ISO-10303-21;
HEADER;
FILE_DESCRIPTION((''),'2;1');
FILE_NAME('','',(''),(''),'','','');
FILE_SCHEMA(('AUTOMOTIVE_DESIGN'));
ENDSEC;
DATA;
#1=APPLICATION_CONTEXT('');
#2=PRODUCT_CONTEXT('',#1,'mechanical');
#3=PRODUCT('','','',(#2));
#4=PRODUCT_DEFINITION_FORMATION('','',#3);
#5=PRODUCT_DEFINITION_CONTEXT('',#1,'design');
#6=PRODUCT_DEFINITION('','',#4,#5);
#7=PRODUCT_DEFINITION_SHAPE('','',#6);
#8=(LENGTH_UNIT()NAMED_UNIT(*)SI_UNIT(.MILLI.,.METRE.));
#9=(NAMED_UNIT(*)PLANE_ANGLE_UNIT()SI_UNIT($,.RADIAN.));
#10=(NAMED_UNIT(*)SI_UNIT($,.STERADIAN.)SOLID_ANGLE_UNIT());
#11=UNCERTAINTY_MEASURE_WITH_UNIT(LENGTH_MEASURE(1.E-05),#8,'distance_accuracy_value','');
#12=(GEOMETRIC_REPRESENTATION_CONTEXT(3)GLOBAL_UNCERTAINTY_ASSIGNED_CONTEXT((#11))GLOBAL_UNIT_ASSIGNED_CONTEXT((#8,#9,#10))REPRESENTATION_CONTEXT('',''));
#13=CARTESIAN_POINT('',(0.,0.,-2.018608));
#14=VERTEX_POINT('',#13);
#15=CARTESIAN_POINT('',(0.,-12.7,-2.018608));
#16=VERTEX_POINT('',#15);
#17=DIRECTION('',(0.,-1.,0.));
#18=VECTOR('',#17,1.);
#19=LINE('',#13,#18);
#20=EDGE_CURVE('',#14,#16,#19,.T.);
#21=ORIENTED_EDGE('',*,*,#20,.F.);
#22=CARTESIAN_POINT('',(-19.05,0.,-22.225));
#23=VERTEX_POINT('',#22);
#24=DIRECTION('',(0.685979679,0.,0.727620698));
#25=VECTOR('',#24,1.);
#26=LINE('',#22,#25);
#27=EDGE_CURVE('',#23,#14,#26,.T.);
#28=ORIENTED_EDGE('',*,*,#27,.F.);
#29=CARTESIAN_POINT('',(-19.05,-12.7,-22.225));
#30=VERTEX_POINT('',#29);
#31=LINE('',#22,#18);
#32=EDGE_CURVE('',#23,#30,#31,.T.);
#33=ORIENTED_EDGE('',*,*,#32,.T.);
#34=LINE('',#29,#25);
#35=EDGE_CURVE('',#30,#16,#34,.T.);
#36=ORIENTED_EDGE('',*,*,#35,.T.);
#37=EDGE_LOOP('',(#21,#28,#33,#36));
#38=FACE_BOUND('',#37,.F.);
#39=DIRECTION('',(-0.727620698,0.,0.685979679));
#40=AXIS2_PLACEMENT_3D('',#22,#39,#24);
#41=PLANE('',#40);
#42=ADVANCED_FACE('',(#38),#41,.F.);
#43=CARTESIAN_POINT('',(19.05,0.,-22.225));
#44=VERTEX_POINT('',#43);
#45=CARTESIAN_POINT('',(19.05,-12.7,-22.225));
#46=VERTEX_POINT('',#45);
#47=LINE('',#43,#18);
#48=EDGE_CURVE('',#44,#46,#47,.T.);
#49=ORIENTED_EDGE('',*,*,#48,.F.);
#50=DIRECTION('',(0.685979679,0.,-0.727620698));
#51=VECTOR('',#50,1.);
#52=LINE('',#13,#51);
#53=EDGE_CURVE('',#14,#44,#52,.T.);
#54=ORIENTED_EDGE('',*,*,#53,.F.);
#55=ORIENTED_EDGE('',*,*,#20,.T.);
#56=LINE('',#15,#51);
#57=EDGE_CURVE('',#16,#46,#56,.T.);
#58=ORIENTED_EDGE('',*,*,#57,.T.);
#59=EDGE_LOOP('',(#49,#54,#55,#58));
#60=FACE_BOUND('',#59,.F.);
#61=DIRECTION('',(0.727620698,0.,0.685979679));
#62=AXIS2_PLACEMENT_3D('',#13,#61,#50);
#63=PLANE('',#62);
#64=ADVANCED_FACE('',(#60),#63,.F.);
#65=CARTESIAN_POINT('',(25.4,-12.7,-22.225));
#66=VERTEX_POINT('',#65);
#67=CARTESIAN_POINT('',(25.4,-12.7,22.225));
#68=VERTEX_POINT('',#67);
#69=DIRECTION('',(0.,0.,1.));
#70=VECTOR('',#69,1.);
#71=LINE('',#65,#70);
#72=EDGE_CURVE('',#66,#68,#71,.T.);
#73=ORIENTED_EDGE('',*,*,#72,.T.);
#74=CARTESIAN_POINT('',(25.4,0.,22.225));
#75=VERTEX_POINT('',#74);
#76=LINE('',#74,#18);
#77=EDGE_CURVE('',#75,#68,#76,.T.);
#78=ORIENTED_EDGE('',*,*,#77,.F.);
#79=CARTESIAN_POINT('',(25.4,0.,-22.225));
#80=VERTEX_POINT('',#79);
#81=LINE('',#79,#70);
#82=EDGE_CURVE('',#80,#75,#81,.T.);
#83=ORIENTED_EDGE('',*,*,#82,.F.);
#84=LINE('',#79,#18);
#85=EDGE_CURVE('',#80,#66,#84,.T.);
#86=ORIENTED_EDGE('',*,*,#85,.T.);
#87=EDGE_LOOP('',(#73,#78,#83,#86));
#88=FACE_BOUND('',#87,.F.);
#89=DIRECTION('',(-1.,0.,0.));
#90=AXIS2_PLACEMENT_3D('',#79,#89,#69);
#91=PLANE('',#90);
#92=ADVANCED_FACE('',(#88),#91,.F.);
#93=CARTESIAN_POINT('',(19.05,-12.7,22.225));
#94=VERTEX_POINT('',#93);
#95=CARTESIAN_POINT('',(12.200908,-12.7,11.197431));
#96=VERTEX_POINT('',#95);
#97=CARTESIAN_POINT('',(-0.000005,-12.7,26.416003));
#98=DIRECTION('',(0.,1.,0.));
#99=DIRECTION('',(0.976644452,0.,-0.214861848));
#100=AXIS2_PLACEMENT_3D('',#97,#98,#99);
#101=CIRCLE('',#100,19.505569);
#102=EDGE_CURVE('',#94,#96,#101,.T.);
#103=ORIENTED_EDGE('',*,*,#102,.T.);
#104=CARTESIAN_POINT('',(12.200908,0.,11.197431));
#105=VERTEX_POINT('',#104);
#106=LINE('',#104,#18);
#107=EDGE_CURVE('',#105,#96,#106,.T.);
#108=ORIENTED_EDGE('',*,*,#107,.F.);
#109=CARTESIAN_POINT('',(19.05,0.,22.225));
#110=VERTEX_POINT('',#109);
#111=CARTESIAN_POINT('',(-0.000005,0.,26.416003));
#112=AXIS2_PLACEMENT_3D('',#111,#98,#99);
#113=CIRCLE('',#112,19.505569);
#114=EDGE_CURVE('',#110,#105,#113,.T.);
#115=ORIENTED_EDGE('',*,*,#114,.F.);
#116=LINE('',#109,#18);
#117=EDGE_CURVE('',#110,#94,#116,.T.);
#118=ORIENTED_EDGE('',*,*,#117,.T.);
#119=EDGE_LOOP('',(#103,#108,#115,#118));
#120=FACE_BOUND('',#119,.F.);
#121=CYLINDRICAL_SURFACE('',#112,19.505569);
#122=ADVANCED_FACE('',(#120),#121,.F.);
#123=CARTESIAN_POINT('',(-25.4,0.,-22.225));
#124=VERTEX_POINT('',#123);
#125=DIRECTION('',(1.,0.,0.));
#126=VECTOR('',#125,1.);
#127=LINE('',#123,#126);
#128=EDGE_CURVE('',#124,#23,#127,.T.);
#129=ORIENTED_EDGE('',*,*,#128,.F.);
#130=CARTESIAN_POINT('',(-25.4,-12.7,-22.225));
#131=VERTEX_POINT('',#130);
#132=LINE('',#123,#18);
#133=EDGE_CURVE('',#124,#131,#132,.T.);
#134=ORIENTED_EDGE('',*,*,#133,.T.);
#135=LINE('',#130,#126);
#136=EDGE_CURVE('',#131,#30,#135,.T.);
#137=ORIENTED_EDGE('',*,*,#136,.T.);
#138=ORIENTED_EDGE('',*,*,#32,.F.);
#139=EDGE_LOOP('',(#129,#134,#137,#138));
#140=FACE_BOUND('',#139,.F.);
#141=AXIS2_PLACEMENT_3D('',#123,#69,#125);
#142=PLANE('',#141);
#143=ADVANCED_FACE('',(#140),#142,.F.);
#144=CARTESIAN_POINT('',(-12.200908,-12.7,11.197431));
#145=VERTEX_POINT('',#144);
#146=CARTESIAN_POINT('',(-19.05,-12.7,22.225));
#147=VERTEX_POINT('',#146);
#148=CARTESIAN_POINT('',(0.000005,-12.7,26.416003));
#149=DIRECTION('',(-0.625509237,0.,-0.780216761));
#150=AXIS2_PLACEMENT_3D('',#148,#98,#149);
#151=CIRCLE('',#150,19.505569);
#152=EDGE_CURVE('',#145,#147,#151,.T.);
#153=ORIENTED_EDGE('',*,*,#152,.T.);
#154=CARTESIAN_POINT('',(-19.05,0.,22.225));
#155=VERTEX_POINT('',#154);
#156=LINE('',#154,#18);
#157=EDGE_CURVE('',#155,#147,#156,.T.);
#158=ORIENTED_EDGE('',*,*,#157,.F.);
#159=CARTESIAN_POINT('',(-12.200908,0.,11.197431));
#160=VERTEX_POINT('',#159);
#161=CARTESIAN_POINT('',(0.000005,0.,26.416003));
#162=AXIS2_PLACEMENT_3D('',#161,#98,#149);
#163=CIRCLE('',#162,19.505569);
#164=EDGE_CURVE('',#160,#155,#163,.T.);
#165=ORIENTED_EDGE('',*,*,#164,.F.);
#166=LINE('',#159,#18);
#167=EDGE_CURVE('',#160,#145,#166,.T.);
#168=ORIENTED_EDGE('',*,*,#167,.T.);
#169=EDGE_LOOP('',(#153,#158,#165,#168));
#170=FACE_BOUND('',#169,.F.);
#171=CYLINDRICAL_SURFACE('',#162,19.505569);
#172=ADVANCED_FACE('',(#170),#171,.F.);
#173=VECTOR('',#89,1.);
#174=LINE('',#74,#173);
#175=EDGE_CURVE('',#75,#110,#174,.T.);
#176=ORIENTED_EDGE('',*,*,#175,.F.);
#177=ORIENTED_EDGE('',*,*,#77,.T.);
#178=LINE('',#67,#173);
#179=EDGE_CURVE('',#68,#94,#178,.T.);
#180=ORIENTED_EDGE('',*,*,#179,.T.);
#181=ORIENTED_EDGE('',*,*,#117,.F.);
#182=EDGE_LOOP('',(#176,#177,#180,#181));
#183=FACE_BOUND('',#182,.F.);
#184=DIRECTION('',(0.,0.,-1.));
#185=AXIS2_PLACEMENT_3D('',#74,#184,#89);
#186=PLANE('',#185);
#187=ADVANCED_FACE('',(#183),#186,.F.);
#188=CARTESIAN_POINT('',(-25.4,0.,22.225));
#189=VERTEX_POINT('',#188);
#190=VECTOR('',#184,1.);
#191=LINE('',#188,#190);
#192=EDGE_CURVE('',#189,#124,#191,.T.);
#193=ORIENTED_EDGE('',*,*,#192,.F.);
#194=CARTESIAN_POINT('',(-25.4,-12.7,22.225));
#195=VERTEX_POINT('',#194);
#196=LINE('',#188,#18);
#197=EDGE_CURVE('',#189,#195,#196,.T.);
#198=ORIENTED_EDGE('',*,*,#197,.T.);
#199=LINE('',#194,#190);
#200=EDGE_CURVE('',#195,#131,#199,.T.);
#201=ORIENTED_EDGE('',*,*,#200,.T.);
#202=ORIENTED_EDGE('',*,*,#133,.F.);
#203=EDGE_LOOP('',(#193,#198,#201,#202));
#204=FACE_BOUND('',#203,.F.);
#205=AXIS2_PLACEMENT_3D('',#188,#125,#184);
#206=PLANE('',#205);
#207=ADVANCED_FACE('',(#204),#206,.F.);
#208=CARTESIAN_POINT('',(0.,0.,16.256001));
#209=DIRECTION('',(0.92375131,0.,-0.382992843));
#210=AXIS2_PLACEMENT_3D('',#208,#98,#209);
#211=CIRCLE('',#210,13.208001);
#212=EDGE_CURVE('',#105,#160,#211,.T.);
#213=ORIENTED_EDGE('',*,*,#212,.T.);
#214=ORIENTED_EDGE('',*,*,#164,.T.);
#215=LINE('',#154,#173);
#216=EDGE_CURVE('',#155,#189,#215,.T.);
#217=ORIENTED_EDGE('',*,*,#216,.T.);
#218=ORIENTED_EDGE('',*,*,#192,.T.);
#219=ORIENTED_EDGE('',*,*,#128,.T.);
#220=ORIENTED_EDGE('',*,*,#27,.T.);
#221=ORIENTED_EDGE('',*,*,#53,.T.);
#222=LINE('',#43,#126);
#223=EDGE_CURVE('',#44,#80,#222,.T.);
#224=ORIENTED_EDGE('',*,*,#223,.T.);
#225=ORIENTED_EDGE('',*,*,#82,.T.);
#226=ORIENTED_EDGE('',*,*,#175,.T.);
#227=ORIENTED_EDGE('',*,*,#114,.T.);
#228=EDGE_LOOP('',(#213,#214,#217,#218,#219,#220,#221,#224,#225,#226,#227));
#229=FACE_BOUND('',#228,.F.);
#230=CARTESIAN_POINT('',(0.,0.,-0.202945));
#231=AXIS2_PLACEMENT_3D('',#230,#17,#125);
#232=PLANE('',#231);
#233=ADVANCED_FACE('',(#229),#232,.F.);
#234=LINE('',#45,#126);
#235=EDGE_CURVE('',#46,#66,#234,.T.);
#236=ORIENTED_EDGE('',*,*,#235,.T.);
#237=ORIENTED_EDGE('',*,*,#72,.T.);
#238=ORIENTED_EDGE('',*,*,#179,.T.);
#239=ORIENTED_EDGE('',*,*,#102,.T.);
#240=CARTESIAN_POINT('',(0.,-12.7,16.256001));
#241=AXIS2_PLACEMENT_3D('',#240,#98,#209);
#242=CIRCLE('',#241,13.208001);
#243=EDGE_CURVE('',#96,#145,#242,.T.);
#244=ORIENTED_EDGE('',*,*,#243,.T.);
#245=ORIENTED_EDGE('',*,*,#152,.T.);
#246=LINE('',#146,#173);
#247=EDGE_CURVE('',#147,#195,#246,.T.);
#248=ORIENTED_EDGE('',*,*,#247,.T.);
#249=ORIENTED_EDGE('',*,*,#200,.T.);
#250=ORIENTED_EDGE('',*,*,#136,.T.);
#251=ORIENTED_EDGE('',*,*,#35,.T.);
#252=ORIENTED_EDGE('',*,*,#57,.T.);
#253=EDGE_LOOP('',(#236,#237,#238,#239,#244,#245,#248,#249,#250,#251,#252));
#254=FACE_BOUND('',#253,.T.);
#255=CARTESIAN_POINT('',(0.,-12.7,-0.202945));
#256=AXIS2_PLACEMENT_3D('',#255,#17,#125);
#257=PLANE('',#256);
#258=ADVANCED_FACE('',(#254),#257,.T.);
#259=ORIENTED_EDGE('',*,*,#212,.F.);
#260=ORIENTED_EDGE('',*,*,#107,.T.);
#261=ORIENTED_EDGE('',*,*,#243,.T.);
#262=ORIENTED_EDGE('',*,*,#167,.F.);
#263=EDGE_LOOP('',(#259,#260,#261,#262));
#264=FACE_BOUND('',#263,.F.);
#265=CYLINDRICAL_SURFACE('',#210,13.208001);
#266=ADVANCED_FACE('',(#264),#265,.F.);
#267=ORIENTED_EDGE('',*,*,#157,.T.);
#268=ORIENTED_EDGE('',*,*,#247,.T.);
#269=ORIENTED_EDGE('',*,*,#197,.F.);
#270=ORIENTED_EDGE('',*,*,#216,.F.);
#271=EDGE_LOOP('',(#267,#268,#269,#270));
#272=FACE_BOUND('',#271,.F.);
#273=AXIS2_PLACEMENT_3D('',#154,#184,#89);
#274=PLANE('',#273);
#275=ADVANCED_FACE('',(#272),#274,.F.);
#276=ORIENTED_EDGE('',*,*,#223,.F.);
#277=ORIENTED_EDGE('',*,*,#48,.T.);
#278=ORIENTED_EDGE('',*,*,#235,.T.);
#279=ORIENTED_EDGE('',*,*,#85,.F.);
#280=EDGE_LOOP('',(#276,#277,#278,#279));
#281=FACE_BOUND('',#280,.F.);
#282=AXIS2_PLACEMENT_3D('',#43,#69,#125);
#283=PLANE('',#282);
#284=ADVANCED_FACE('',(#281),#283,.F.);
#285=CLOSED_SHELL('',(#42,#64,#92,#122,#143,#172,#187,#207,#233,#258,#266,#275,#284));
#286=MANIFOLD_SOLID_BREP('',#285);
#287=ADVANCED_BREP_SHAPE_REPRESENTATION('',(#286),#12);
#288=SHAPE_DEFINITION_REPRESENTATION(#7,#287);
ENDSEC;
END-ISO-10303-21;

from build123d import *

# Parameters (mm, degrees)
F1_DEPTH = 12.7


with BuildPart() as f1:
    # F0 (on Front) → F1 (new body)
    with BuildSketch(Plane.XZ):
        with BuildLine():
            Line((19.05, -22.225), (25.4, -22.225))
            Line((25.4, -22.225), (25.4, 22.225))
            Line((25.4, 22.225), (19.05, 22.225))
            ThreePointArc((19.05, 22.225), (16.56975, 16.124724), (12.200908, 11.197431))
            ThreePointArc((12.200908, 11.197431), (0, 3.048), (-12.200908, 11.197431))
            ThreePointArc((-12.200908, 11.197431), (-16.56975, 16.124724), (-19.05, 22.225))
            Line((-19.05, 22.225), (-25.4, 22.225))
            Line((-25.4, 22.225), (-25.4, -22.225))
            Line((-25.4, -22.225), (-19.05, -22.225))
            Line((-19.05, -22.225), (0, -2.018608))
            Line((0, -2.018608), (19.05, -22.225))
        make_face()
    extrude(amount=F1_DEPTH)


solid = f1.part
